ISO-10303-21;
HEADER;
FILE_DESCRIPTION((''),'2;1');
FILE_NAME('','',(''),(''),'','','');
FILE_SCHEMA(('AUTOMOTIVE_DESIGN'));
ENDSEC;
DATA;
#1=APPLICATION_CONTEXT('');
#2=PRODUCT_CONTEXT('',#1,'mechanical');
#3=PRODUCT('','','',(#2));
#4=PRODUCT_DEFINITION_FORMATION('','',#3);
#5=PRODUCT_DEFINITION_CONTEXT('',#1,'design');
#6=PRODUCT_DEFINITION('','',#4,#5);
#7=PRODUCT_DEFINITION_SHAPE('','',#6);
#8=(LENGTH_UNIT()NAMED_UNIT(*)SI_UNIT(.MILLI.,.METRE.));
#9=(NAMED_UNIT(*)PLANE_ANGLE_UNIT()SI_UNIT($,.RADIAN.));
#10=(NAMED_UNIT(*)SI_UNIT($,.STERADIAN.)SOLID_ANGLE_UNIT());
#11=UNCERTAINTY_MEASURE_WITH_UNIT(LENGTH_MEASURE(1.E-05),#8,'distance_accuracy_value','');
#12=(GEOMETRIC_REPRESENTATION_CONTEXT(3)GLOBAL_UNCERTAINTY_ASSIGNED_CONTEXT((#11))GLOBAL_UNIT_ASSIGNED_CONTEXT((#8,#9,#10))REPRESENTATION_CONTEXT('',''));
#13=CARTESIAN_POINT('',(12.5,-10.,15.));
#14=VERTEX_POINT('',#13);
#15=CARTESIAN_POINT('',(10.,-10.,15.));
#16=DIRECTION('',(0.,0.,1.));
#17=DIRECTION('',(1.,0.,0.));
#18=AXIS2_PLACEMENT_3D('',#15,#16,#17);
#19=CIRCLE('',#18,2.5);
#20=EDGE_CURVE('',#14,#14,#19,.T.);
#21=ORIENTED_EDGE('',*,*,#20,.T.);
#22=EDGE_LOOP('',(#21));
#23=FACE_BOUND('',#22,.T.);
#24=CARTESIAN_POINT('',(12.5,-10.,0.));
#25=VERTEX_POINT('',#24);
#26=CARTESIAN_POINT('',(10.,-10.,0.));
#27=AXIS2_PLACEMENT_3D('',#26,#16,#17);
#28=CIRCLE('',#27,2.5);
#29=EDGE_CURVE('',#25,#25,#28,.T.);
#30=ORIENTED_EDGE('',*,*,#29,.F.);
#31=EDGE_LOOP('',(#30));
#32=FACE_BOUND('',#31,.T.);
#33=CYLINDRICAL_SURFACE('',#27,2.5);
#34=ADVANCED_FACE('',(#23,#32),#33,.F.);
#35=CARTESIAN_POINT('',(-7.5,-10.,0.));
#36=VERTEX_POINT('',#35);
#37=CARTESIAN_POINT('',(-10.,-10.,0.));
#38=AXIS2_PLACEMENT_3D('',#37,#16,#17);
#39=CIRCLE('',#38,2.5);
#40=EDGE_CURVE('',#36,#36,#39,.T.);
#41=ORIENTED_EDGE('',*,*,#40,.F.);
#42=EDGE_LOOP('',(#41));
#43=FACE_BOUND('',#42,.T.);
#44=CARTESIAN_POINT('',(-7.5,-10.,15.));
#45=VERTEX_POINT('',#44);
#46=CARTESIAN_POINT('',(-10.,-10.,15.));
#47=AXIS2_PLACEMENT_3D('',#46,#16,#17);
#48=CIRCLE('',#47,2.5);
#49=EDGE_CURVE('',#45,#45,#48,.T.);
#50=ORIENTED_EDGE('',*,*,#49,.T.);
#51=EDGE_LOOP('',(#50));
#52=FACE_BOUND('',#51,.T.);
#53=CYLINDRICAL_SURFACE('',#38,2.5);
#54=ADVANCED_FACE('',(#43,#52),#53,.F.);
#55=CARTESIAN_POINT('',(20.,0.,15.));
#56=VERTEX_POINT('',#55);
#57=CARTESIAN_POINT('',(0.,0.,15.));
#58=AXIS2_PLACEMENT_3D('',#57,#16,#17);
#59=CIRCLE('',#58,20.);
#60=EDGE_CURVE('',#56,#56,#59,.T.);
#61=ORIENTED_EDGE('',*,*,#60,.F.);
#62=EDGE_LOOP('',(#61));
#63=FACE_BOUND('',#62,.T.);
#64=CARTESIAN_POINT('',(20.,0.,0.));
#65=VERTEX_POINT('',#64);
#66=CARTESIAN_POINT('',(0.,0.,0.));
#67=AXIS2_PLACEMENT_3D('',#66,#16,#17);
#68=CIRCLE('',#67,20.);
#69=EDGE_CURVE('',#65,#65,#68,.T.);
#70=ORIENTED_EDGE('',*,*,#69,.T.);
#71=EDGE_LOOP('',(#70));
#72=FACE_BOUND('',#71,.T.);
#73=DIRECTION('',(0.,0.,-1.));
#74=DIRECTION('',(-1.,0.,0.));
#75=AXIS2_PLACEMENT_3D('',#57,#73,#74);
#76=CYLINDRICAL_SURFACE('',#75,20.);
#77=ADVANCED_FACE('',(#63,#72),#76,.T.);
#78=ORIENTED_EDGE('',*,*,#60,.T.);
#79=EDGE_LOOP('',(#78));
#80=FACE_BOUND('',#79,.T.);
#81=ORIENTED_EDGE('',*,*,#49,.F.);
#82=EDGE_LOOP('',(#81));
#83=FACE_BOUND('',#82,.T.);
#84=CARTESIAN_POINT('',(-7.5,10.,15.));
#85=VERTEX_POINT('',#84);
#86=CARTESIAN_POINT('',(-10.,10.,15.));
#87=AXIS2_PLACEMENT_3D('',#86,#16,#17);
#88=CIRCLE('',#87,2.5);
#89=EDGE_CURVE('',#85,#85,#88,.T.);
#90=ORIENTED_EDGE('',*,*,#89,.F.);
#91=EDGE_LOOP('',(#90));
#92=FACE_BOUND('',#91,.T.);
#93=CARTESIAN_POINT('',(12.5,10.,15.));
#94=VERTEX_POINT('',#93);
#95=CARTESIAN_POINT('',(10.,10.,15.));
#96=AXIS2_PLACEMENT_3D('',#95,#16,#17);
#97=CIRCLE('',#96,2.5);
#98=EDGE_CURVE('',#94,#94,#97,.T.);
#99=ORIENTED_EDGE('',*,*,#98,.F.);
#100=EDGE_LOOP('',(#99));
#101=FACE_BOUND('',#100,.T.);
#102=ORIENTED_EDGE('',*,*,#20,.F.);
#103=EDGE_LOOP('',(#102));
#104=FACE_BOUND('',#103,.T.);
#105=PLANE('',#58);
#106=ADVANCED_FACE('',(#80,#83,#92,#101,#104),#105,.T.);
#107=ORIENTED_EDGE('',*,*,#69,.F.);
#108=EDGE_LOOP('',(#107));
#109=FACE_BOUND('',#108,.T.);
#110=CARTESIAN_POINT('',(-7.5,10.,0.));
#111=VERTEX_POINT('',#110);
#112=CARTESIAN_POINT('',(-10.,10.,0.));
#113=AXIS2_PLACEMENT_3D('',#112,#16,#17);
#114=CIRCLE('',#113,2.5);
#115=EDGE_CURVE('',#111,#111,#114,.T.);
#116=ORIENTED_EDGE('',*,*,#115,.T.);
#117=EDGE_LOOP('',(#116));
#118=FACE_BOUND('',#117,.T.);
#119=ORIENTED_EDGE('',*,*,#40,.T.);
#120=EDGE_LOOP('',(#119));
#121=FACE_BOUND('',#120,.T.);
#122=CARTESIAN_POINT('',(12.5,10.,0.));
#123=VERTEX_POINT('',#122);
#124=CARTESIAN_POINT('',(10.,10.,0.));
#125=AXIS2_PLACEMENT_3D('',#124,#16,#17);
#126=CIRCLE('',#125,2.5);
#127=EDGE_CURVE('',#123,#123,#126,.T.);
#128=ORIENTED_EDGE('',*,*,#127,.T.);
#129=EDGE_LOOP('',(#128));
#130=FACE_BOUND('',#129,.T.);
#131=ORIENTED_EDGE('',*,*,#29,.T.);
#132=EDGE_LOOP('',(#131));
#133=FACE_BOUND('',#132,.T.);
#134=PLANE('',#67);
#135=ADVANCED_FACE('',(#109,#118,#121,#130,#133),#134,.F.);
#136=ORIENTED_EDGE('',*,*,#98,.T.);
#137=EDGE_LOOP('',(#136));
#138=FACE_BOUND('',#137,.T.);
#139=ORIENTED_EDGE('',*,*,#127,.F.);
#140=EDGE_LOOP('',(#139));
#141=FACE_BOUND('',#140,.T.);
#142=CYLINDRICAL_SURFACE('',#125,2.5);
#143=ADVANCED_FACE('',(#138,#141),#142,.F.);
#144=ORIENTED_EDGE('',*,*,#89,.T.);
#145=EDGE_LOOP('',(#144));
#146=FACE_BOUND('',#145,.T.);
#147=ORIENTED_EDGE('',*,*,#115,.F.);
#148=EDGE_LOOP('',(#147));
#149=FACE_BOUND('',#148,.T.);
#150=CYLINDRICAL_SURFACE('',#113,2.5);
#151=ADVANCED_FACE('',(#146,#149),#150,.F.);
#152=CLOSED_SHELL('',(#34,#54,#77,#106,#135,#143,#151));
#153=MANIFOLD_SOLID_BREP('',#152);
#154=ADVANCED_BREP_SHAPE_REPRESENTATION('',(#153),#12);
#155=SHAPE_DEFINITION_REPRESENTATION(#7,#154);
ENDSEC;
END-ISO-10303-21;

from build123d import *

# Parameters (mm, degrees)
SKETCH_1_R          = 20
EXTRUDE_1_DEPTH     = 15
SKETCH_2_R          = 2.5
CUT_EXTRUDE_1_DEPTH = 33.015621187


with BuildPart() as part:
    # 草图1 → 凸台-拉伸1 (new body)
    with BuildSketch(Plane.XY):
        Circle(SKETCH_1_R)
    extrude(amount=EXTRUDE_1_DEPTH)

    # 草图2 → 切除-拉伸1 (cut, through all)
    with BuildSketch(Plane.XY.offset(15)):
        with Locations((-10, 10)):
            Circle(SKETCH_2_R)
        with Locations((10, 10)):
            Circle(SKETCH_2_R)
        with Locations((10, -10)):
            Circle(SKETCH_2_R)
        with Locations((-10, -10)):
            Circle(SKETCH_2_R)
    extrude(amount=-CUT_EXTRUDE_1_DEPTH, mode=Mode.SUBTRACT)


solid = part.part
